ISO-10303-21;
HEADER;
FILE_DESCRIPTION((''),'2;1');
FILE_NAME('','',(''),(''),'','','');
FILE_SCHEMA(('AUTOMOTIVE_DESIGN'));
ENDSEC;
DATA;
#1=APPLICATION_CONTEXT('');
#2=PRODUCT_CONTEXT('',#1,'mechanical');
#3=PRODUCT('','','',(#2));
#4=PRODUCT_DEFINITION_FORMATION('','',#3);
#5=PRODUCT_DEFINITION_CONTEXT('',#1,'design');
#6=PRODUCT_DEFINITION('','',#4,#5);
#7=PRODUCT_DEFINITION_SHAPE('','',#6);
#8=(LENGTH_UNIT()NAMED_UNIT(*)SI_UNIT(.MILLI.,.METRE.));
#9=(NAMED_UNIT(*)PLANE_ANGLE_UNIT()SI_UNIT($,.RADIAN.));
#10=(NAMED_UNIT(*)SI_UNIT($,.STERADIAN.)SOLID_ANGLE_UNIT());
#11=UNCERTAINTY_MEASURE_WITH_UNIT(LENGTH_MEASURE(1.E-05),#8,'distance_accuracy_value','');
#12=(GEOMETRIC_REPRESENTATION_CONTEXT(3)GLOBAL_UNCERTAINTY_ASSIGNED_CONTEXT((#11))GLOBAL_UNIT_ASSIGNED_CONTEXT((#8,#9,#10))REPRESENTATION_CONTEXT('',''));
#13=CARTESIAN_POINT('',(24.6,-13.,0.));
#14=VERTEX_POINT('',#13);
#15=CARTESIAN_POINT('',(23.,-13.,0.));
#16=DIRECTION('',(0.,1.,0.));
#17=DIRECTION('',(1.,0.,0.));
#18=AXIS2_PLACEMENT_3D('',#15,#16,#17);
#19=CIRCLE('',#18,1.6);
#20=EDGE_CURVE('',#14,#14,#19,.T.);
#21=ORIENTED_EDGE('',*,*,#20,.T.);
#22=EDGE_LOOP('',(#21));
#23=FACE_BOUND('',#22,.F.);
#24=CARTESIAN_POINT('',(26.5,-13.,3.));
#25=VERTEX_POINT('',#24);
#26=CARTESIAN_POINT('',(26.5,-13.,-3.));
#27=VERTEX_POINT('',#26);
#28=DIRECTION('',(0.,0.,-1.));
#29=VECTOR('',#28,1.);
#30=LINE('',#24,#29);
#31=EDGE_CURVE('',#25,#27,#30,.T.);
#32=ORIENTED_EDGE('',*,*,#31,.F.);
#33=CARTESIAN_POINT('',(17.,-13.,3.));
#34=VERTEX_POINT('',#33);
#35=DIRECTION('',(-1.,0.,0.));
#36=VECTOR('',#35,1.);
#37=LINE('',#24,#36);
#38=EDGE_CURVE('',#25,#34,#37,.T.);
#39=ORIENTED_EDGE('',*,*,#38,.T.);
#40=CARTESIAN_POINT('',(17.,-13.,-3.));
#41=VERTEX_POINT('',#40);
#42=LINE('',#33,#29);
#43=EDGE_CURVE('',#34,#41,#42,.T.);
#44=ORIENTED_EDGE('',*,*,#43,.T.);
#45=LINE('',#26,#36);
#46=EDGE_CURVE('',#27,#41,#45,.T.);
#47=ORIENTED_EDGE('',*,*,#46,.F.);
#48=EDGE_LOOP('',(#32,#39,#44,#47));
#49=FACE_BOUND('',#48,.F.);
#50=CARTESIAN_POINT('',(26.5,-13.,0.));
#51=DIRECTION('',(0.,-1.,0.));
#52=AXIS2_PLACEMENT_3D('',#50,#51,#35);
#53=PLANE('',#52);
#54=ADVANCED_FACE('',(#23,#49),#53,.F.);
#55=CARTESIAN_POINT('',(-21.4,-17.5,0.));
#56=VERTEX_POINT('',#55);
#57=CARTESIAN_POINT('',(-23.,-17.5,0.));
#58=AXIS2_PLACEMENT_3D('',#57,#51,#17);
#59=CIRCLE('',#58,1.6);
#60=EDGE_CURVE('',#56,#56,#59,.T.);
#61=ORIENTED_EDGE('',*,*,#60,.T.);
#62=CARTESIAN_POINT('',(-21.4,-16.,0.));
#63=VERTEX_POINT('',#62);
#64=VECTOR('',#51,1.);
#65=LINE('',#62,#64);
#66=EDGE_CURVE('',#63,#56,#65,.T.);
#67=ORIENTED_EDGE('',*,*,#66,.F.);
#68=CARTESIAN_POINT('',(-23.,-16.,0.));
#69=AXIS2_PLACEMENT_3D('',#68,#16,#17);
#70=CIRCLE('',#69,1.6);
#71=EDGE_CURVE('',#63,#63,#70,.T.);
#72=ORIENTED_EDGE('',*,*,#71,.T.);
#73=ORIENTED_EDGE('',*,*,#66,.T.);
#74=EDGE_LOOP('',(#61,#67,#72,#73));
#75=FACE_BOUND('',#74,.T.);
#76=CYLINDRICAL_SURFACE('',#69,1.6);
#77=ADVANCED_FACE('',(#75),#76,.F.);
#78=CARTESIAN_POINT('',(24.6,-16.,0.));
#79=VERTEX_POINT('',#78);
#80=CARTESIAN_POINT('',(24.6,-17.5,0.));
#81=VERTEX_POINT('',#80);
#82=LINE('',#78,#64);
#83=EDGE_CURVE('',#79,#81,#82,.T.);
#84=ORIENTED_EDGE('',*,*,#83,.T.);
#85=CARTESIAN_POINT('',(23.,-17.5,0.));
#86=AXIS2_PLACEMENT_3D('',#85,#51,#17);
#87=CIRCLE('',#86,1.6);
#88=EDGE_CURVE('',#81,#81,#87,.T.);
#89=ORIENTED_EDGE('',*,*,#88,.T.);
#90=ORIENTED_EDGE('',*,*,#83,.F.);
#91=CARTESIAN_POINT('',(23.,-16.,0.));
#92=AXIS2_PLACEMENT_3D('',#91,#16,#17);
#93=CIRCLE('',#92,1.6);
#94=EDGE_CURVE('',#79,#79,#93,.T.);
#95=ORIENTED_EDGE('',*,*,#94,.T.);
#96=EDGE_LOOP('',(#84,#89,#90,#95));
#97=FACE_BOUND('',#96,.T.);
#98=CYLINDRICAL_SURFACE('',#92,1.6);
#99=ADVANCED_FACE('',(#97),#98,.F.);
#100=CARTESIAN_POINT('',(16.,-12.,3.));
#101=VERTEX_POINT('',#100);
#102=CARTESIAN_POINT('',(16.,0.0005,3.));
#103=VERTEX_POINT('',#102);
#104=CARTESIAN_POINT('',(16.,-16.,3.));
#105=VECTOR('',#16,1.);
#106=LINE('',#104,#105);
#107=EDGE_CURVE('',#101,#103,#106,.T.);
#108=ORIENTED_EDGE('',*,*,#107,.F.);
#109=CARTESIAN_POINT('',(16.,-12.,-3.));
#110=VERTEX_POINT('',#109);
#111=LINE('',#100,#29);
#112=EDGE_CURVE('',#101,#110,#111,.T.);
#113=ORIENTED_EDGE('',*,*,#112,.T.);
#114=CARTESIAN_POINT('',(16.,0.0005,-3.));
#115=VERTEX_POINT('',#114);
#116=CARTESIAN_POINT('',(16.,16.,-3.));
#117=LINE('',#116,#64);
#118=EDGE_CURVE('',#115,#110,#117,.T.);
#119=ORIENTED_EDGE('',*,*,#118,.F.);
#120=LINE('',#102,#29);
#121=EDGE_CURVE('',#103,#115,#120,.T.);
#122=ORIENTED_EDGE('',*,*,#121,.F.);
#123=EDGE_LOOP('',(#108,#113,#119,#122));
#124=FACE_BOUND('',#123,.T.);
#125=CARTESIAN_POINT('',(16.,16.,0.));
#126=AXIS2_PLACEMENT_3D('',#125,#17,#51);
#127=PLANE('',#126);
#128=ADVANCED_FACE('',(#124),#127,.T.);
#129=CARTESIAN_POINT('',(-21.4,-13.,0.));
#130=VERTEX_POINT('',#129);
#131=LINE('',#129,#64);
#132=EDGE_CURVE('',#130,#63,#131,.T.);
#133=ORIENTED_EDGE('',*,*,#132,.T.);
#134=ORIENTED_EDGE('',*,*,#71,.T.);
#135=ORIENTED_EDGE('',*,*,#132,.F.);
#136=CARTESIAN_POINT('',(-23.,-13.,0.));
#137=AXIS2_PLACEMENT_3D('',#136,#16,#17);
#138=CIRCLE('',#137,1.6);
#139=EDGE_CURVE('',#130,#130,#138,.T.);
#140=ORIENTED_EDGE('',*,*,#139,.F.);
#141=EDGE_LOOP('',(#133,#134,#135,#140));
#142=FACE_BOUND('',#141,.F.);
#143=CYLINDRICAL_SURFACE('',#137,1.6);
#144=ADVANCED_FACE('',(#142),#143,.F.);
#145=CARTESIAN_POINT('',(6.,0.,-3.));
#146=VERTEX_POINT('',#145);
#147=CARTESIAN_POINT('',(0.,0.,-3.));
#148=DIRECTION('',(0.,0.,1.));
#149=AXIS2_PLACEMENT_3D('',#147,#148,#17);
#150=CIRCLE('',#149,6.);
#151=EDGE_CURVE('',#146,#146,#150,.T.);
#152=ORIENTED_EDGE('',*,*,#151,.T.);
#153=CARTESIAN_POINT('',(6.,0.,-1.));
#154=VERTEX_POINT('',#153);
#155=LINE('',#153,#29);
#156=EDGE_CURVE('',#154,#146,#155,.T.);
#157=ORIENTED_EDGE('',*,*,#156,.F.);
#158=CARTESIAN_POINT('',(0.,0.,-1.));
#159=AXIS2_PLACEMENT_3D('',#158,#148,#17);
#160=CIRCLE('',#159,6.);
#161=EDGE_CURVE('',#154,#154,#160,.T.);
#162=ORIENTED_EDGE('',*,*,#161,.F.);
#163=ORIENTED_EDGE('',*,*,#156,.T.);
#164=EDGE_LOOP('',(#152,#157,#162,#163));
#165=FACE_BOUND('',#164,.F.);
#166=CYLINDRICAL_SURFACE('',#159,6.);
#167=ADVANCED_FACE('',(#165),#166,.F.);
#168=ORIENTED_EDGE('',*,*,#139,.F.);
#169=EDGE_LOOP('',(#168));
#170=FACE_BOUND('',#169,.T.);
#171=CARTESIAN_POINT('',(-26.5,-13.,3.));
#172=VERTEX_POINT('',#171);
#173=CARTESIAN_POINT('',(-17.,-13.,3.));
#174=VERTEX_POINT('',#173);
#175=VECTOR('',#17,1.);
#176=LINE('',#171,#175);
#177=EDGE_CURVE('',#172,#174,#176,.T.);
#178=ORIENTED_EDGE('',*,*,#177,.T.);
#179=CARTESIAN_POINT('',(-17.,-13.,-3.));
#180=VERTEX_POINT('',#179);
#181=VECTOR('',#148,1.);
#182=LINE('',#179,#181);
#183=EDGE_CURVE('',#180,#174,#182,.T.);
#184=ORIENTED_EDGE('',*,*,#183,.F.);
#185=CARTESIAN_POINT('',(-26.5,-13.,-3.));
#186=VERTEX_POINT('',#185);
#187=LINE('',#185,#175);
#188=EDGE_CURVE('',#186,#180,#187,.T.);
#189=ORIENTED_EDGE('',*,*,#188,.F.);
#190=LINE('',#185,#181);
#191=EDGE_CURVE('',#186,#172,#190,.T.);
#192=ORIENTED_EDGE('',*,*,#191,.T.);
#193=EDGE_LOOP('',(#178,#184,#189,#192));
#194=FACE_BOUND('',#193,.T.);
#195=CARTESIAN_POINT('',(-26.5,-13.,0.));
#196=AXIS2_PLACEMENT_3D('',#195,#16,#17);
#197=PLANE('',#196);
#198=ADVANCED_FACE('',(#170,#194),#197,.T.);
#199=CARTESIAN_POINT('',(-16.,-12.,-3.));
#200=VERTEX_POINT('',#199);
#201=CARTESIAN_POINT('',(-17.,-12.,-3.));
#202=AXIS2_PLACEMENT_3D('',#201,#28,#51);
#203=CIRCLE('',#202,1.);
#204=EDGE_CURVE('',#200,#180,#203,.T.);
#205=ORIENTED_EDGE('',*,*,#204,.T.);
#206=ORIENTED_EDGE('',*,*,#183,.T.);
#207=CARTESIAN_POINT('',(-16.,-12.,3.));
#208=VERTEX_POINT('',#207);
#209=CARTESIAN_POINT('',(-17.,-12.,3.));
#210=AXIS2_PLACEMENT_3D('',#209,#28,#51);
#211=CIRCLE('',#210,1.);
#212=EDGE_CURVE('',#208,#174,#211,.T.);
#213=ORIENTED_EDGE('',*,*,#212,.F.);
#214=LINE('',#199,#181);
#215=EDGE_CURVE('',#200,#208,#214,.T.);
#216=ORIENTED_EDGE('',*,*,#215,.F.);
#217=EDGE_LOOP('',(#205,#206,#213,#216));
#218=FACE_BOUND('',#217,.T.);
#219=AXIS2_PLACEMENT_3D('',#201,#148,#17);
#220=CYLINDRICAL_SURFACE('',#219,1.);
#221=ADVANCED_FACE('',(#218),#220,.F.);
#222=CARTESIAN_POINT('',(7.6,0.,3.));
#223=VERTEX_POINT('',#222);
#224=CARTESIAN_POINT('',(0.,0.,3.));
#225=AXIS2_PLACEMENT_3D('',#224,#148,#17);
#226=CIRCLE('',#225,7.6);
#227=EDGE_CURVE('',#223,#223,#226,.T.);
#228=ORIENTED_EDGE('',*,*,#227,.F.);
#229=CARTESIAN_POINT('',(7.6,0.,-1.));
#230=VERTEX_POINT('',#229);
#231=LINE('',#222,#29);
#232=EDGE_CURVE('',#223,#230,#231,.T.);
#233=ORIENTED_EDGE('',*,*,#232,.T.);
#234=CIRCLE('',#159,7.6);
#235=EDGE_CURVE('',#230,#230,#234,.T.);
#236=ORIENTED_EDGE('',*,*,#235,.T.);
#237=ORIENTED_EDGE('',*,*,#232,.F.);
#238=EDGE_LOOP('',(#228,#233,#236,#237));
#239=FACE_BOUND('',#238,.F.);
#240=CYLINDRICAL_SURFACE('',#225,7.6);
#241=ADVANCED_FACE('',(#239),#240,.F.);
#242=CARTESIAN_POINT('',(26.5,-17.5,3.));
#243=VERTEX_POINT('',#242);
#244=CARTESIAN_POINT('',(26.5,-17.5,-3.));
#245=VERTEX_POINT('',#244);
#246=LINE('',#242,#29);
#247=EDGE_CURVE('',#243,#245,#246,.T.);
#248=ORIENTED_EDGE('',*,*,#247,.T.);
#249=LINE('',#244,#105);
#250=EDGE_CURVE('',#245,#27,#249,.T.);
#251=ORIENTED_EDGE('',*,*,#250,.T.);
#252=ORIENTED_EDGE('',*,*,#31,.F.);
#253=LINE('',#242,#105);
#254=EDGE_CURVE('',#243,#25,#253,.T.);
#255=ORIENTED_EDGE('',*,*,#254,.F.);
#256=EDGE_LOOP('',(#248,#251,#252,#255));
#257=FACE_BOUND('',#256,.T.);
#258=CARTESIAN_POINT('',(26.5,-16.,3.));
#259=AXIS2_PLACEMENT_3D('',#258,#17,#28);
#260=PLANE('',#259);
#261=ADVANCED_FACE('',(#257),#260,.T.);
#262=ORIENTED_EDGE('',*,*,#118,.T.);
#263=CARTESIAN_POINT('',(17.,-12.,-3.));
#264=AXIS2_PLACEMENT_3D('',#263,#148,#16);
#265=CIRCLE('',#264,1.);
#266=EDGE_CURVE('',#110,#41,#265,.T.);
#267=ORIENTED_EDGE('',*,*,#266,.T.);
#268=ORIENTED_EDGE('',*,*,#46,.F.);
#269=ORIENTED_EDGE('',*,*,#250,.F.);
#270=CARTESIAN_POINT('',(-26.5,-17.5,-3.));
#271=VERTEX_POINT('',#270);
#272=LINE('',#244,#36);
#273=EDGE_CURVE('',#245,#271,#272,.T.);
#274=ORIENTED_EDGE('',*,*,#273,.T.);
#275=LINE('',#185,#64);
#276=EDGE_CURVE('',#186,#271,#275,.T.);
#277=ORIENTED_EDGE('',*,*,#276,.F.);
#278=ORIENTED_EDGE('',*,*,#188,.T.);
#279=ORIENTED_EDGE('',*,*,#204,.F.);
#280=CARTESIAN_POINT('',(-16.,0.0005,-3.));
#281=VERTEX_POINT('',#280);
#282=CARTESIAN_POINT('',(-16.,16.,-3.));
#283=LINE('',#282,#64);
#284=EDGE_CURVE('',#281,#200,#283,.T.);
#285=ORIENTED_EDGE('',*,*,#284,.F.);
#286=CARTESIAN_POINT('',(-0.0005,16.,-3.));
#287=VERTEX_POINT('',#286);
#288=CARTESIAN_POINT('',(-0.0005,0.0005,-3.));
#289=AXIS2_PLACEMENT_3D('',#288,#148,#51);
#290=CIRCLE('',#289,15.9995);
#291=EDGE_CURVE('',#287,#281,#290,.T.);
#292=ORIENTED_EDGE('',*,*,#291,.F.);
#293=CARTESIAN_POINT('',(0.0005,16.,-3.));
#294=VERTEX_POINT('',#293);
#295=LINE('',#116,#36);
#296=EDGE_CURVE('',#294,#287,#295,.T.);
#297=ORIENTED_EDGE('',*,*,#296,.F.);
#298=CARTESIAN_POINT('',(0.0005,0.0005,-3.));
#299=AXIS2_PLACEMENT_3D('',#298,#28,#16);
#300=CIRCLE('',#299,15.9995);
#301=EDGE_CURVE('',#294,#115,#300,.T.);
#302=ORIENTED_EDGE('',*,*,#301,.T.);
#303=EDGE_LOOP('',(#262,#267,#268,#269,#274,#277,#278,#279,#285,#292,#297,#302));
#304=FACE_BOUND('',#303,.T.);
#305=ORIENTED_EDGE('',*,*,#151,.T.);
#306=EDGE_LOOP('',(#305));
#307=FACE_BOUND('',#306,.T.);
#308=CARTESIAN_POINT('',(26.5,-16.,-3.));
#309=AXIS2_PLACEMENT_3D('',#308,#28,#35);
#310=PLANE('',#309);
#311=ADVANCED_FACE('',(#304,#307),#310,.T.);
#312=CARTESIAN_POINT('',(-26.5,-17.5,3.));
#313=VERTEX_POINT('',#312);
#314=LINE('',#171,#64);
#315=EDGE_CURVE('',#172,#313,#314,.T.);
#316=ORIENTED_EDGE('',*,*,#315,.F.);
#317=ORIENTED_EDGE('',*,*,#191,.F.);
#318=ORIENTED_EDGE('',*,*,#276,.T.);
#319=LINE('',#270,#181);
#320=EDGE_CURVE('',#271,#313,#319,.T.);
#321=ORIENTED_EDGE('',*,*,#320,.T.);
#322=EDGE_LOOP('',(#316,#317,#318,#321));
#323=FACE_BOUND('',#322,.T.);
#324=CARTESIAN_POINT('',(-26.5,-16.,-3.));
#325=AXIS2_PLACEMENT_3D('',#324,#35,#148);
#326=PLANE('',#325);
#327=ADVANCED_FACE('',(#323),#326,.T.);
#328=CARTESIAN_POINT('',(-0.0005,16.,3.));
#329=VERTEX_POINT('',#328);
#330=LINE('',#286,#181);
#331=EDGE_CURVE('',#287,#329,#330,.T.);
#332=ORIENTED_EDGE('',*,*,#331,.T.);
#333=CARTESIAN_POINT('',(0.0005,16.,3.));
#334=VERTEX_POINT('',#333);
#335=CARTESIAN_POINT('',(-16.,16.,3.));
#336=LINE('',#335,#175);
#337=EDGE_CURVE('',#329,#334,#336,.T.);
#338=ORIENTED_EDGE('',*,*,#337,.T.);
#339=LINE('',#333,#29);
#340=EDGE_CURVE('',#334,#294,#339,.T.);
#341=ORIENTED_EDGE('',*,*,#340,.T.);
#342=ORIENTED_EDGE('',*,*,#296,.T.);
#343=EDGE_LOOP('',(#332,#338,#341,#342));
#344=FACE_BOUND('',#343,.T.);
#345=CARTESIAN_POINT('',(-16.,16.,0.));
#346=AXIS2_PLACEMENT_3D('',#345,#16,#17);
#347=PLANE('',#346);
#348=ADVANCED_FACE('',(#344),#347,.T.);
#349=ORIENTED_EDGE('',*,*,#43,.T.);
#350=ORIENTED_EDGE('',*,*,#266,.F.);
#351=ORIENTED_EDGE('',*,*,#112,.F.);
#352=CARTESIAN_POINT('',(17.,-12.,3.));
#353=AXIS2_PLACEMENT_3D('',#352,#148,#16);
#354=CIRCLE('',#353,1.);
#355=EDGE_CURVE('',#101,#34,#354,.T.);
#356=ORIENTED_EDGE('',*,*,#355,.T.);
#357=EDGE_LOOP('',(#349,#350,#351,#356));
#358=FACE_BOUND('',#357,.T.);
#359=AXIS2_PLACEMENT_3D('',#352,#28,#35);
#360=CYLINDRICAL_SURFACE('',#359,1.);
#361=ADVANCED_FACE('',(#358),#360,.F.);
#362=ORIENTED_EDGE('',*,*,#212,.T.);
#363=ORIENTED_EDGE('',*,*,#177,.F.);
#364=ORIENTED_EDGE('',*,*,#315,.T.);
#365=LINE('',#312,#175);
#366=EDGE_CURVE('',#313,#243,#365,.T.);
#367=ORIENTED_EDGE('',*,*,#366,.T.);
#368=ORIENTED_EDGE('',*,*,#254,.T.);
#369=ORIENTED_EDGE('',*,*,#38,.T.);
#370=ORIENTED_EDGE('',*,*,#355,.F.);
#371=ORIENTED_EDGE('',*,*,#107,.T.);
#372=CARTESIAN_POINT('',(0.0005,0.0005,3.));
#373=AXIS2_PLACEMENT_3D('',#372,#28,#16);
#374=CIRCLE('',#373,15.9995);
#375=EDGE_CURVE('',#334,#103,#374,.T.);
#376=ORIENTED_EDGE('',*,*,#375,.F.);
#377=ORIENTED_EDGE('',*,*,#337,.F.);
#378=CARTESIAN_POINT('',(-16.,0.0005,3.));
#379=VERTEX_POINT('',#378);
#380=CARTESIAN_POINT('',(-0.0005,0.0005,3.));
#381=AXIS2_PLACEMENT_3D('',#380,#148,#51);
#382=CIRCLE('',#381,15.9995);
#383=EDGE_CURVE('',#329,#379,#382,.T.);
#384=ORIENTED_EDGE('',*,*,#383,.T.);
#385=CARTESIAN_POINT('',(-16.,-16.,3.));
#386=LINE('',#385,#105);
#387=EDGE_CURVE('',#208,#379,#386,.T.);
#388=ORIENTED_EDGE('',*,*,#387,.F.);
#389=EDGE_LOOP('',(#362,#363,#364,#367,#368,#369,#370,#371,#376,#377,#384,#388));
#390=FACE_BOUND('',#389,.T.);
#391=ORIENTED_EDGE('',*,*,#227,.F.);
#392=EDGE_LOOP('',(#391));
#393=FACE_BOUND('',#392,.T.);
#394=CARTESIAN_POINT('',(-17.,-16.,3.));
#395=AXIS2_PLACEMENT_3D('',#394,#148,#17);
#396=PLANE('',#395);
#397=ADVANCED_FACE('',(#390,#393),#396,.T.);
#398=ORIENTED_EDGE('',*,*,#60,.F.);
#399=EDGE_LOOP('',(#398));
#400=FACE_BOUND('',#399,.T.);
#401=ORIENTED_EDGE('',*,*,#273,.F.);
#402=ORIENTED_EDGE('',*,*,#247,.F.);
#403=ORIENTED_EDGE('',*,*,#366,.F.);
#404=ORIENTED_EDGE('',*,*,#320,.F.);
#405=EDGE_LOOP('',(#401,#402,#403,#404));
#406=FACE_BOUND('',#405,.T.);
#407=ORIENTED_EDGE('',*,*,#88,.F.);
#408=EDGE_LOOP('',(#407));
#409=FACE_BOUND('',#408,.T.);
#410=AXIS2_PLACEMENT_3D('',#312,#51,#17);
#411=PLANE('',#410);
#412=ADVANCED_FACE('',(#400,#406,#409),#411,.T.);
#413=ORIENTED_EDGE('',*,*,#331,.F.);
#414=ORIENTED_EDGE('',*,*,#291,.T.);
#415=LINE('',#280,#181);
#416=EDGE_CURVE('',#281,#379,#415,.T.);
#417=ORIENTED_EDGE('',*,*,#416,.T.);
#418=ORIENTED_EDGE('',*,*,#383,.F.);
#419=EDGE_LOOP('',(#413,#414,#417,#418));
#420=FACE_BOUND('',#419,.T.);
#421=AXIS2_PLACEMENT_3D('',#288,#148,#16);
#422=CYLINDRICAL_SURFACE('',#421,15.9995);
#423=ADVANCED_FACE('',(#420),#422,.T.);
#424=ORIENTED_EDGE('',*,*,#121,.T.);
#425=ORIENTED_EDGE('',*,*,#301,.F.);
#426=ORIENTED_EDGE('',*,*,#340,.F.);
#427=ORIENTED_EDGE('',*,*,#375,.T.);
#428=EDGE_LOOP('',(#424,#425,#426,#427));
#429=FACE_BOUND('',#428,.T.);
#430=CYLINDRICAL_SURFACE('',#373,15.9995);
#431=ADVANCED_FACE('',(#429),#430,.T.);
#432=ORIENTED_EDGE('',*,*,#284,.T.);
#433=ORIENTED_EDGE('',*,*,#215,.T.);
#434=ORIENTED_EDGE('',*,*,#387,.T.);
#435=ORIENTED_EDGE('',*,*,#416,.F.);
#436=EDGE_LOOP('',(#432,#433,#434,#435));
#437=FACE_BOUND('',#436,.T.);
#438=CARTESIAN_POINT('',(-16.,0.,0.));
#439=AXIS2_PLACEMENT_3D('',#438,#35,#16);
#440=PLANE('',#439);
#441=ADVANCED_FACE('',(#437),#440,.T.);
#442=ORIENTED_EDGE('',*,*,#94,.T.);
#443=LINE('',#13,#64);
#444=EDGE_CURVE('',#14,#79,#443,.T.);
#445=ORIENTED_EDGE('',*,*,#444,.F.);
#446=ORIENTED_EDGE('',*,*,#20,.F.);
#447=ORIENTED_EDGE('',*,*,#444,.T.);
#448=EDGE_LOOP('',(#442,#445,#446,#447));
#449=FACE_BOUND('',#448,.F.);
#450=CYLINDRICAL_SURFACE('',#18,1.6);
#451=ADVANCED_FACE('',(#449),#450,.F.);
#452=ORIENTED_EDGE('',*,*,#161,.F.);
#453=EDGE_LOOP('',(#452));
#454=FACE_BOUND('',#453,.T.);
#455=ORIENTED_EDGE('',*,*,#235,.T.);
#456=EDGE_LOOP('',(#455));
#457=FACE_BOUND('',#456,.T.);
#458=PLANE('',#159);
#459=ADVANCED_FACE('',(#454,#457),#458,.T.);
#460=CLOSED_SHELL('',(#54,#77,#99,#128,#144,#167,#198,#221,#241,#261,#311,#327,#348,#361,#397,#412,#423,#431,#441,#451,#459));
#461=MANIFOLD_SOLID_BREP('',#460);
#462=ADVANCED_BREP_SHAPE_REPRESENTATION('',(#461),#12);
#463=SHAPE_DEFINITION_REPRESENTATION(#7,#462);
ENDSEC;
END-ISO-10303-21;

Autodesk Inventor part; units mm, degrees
ref_plane "YZ Plane" through (0, 0, 0) normal (1, 0, 0) x (0, 1, 0)
ref_plane "XZ Plane" through (0, 0, 0) normal (0, 1, 0) x (-1, 0, 0)
ref_plane "XY Plane" through (0, 0, 0) normal (0, 0, 1) x (1, 0, 0)
sketch "Skizze1" plane through (0, 0, 0) normal (0, 0, 1) x (1, 0, 0)
  line L0 (-16, 16) -> (16, 16)
  line L1 (16, 16) -> (16, -16)
  line L2 (16, -16) -> (-16, -16)
  line L3 (-16, -16) -> (-16, 16)
  line L4 (0, 22.4) -> (0, -22.4) projected
  line L5 (-22.4, 0) -> (22.4, 0) projected
  point P0 (0, 0)
  dimension "d0" = 32
  dimension "d1" = 32
extrude "Extrusion1" add sketch "Skizze1" along normal mid plane 6
sketch "Skizze2" plane through (0, 0, 0) normal (0, 0, 1) x (1, 0, 0)
  line L0 (-16, 16) -> (-16, -16) projected
  line L1 (-16, -16) -> (-26.5, -16)
  line L2 (-26.5, -16) -> (-26.5, -13)
  line L3 (-26.5, -13) -> (-16, -13)
  line L4 (-16, -13) -> (-16, -16)
  line L5 (0, 22.4) -> (0, -22.4) projected
  line L6 (16, -16) -> (26.5, -16)
  line L7 (26.5, -16) -> (26.5, -13)
  line L8 (26.5, -13) -> (16, -13)
  line L9 (16, -13) -> (16, -16)
  point P0 (0, 0)
  dimension "d6" = 10.5
  dimension "d7" = 3
extrude "Extrusion2" add sketch "Skizze2" along normal mid plane 6
fillet "Rundung1" radius 16 2 edges at (-16, 16, 0) (16, 16, 0)
fillet "Rundung2" radius 1 2 edges at (-16, -13, 0) (16, -13, 0)
sketch "Skizze3" plane through (0, 0, 3) normal (0, 0, 1) x (1, 0, 0)
  circle A0 centre (0, 0) radius 7.6
  dimension "d12" = 15.2
extrude "Extrusion3" cut sketch "Skizze3" against normal blind 4
sketch "Skizze4" plane through (0, 0, -1) normal (0, 0, 1) x (1, 0, 0)
  circle A0 centre (0, 0) radius 6
  dimension "d15" = 12
extrude "Extrusion4" cut sketch "Skizze4" against normal up to surface (2 mm away)
sketch "Skizze5" plane through (-26.5, -13, 3) normal (0, 1, 0) x (1, 0, 0)
  circle A0 centre (3.5, 3) radius 1.6
  circle A1 centre (49.5, 3) radius 1.6
  line L0 (0, 6) -> (9.5, 6) projected
  line L1 (0, 6) -> (0, 0) projected
  line L2 (53, 6) -> (53, 0) projected
  line L3 (43.5, 6) -> (53, 6) projected
  point P0 (26.5, 3)
  dimension "d18" = 3.2
  dimension "d19" = 3.2
  dimension "d20" = 3
  dimension "d21" = 3.5
  dimension "d22" = 3.5
  dimension "d23" = 3
extrude "Extrusion5" cut sketch "Skizze5" against normal up to surface (3 mm away)
sketch "Skizze6" plane through (-26.5, -16, 3) normal (0, -1, 0) x (1, 0, 0)
  line L0 (9.5, 0) -> (0, 0) projected
  line L1 (53, 0) -> (53, -6) projected
  line L2 (0, 0) -> (53, 0)
  line L3 (53, 0) -> (53, -6)
  line L4 (53, -6) -> (0, -6)
  line L5 (0, -6) -> (0, 0)
  circle A0 centre (3.5, -3) radius 1.6 projected
  circle A1 centre (3.5, -3) radius 1.6
  circle A2 centre (49.5, -3) radius 1.6 projected
  circle A3 centre (49.5, -3) radius 1.6
  point P0 (26.5, -3)
  point P1 (9.5, 0)
  dimension "d26" = 3.2
  dimension "d27" = 3.2
extrude "Extrusion6" add sketch "Skizze6" along normal blind 1.5
properties part number "_3D-Druck"
